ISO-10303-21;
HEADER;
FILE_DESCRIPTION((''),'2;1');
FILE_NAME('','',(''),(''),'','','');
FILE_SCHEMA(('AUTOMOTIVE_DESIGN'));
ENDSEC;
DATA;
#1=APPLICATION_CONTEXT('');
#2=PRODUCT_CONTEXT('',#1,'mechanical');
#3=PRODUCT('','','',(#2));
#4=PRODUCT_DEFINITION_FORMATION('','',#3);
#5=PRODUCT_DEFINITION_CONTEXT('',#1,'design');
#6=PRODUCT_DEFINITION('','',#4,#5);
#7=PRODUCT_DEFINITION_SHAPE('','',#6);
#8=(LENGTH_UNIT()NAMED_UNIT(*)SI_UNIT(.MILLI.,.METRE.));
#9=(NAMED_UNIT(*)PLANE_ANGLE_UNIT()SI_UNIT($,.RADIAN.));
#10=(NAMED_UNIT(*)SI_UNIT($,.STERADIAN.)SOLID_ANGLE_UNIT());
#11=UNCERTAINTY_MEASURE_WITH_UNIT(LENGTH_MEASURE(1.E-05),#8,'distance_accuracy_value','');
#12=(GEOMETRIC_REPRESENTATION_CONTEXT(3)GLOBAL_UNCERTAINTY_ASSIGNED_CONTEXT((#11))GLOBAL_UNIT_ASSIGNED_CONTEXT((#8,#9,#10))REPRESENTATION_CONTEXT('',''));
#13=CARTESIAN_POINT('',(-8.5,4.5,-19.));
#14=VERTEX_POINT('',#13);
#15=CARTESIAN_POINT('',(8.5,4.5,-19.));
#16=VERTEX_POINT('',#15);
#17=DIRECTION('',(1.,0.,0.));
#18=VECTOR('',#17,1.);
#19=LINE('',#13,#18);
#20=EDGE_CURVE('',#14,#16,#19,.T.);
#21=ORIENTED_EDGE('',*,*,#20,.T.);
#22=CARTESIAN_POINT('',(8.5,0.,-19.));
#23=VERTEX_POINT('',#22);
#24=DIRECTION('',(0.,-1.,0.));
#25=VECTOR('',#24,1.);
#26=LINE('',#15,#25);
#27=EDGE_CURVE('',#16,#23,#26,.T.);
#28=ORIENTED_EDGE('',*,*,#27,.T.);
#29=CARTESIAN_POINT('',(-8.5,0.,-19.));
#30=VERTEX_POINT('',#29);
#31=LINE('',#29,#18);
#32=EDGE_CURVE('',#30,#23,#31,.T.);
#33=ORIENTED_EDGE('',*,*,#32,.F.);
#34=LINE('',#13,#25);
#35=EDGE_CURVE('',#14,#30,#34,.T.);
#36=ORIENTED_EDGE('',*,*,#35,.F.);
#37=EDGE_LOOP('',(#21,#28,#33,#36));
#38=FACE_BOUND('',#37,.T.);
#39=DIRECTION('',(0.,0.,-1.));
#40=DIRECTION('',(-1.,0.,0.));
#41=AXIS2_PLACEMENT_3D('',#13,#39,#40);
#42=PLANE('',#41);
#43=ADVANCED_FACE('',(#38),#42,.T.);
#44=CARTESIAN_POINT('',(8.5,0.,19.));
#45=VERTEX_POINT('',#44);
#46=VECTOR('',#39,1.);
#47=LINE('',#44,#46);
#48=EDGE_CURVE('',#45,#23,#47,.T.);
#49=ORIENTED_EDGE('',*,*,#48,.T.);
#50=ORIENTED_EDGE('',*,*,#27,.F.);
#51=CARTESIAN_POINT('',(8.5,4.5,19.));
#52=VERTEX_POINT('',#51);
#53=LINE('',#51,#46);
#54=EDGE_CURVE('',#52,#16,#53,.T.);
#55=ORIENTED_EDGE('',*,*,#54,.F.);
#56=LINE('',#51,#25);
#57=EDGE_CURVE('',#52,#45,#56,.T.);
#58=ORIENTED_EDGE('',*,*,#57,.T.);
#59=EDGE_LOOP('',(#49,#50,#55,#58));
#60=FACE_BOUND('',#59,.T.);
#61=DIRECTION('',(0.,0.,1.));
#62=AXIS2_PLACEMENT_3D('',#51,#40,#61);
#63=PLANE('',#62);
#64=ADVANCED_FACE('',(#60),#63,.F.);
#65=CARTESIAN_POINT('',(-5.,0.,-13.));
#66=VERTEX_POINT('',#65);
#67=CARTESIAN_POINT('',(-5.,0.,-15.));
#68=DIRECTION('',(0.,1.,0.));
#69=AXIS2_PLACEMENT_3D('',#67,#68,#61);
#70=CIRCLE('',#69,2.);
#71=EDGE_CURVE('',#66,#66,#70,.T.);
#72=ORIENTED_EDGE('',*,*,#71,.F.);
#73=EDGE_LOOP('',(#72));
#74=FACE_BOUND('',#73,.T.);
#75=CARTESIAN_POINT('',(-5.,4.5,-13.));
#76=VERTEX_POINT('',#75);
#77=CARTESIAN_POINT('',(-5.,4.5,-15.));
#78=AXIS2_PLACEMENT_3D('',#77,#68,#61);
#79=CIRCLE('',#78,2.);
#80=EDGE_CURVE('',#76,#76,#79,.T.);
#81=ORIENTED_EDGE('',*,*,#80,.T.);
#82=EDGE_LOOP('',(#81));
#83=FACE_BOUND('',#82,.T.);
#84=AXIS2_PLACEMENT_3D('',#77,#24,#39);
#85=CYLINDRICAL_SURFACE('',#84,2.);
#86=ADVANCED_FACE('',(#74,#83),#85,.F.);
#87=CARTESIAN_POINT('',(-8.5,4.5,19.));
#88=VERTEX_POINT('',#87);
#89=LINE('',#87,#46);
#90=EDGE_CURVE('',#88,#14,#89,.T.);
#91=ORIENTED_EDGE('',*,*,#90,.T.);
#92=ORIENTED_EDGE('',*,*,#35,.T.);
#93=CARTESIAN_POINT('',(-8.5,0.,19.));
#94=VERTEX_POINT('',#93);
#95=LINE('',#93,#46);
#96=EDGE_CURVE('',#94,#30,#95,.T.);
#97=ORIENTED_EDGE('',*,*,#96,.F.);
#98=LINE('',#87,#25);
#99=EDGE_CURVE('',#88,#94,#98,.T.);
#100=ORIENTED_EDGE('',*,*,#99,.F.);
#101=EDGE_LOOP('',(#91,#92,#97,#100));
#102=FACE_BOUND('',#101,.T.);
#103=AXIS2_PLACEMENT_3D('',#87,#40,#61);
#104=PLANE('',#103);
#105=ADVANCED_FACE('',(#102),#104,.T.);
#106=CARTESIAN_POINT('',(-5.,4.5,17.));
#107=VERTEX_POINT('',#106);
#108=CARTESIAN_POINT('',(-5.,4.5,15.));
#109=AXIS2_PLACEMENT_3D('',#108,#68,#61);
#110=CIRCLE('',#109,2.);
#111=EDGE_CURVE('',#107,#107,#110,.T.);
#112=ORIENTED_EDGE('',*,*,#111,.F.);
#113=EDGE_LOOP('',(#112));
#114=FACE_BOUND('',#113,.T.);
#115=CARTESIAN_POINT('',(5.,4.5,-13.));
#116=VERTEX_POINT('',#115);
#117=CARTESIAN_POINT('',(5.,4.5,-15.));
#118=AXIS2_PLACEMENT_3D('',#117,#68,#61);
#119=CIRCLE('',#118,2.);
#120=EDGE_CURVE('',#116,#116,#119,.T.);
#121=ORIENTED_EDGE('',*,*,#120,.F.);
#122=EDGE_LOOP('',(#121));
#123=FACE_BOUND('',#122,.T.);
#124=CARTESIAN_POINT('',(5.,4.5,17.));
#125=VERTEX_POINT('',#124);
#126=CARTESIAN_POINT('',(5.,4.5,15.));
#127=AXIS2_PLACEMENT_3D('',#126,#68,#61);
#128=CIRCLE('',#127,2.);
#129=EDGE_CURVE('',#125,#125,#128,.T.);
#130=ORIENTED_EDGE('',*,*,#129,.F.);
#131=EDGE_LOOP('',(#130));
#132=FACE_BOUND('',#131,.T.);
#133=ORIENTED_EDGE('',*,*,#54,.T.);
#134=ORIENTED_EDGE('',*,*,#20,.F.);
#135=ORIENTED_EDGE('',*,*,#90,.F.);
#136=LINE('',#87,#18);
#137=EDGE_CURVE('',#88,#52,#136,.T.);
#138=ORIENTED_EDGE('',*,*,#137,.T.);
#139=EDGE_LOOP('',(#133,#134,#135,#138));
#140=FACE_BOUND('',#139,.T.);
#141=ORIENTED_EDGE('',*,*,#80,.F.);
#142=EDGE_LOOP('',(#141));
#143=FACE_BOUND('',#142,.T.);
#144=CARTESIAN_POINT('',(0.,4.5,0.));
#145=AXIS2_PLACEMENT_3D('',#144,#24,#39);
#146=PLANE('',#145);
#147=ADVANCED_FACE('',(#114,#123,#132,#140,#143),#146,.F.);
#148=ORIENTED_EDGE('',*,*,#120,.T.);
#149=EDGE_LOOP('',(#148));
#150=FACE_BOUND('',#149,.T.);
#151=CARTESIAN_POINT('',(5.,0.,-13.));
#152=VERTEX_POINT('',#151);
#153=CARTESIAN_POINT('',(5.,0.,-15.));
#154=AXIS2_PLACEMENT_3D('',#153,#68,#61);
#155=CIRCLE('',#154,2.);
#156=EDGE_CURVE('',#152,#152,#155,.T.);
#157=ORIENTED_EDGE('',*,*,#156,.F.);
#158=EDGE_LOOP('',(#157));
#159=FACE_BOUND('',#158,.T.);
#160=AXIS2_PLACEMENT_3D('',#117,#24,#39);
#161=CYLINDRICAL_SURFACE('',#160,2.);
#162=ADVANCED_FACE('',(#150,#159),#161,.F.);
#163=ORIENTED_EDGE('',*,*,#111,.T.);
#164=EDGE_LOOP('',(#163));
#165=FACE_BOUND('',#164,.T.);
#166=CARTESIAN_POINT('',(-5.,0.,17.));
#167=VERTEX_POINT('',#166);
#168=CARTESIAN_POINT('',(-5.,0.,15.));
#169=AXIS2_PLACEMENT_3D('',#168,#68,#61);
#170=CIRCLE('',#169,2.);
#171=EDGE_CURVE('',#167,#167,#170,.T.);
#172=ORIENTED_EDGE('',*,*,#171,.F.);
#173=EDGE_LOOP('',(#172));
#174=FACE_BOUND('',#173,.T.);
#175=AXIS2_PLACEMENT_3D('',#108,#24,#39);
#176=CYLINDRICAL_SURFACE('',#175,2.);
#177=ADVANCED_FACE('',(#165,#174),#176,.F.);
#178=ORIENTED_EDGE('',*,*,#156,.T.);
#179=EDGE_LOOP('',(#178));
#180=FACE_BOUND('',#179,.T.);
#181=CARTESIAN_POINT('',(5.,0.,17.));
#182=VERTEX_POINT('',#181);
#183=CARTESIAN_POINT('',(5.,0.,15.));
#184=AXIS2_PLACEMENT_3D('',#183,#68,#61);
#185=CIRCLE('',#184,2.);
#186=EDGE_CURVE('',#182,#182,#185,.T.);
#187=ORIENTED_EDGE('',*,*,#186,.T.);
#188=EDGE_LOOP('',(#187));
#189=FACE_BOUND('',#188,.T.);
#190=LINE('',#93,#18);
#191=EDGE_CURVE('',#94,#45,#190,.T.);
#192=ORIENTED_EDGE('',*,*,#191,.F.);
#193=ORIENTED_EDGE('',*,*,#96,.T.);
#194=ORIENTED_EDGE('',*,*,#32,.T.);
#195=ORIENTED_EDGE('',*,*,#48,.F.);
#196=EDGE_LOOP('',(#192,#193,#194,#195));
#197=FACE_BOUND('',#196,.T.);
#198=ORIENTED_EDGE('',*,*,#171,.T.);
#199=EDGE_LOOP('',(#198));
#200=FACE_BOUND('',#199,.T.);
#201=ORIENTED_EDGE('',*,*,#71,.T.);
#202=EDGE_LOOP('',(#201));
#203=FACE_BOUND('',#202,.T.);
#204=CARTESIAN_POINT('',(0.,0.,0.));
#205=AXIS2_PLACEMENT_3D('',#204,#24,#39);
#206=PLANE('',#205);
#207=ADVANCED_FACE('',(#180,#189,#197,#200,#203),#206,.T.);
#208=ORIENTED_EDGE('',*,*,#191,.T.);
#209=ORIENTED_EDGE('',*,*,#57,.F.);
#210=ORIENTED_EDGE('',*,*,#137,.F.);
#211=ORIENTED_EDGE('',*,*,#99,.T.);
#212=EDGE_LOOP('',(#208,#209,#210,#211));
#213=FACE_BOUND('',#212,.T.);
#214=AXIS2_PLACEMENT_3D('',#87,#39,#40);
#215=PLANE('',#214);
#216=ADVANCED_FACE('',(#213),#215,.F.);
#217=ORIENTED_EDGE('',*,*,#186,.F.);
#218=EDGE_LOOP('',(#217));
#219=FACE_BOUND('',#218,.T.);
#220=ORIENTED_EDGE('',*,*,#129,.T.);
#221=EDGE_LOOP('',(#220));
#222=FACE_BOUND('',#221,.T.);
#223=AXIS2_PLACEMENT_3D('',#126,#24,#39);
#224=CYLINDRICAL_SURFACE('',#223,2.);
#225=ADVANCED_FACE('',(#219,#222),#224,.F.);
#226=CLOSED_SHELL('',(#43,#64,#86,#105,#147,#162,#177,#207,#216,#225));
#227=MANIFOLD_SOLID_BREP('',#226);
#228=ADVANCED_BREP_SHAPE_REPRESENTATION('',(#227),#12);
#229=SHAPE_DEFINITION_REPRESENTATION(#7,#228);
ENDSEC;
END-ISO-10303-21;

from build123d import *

# Parameters (mm, degrees)
SKETCH1_W           = 17
SKETCH1_H           = 38
BOSS_EXTRUDE1_DEPTH = 4.5
SKETCH1_3_R         = 2
CUT_EXTRUDE1_DEPTH  = 4.5


with BuildPart() as part:
    # Sketch1 → Boss-Extrude1 (new body)
    with BuildSketch(Plane(origin=(0, 0, 0), x_dir=(1, 0, 0), z_dir=(0, 1, 0))):
        Rectangle(SKETCH1_W, SKETCH1_H)
    extrude(amount=BOSS_EXTRUDE1_DEPTH)

    # Sketch1<3> → Cut-Extrude1 (cut)
    with BuildSketch(Plane(origin=(0, 0, 0), x_dir=(1, 0, 0), z_dir=(0, 1, 0))):
        with Locations((-5, 15)):
            Circle(SKETCH1_3_R)
        with Locations((5, 15)):
            Circle(SKETCH1_3_R)
        with Locations((5, -15)):
            Circle(SKETCH1_3_R)
        with Locations((-5, -15)):
            Circle(SKETCH1_3_R)
    extrude(amount=CUT_EXTRUDE1_DEPTH, mode=Mode.SUBTRACT)


solid = part.part
